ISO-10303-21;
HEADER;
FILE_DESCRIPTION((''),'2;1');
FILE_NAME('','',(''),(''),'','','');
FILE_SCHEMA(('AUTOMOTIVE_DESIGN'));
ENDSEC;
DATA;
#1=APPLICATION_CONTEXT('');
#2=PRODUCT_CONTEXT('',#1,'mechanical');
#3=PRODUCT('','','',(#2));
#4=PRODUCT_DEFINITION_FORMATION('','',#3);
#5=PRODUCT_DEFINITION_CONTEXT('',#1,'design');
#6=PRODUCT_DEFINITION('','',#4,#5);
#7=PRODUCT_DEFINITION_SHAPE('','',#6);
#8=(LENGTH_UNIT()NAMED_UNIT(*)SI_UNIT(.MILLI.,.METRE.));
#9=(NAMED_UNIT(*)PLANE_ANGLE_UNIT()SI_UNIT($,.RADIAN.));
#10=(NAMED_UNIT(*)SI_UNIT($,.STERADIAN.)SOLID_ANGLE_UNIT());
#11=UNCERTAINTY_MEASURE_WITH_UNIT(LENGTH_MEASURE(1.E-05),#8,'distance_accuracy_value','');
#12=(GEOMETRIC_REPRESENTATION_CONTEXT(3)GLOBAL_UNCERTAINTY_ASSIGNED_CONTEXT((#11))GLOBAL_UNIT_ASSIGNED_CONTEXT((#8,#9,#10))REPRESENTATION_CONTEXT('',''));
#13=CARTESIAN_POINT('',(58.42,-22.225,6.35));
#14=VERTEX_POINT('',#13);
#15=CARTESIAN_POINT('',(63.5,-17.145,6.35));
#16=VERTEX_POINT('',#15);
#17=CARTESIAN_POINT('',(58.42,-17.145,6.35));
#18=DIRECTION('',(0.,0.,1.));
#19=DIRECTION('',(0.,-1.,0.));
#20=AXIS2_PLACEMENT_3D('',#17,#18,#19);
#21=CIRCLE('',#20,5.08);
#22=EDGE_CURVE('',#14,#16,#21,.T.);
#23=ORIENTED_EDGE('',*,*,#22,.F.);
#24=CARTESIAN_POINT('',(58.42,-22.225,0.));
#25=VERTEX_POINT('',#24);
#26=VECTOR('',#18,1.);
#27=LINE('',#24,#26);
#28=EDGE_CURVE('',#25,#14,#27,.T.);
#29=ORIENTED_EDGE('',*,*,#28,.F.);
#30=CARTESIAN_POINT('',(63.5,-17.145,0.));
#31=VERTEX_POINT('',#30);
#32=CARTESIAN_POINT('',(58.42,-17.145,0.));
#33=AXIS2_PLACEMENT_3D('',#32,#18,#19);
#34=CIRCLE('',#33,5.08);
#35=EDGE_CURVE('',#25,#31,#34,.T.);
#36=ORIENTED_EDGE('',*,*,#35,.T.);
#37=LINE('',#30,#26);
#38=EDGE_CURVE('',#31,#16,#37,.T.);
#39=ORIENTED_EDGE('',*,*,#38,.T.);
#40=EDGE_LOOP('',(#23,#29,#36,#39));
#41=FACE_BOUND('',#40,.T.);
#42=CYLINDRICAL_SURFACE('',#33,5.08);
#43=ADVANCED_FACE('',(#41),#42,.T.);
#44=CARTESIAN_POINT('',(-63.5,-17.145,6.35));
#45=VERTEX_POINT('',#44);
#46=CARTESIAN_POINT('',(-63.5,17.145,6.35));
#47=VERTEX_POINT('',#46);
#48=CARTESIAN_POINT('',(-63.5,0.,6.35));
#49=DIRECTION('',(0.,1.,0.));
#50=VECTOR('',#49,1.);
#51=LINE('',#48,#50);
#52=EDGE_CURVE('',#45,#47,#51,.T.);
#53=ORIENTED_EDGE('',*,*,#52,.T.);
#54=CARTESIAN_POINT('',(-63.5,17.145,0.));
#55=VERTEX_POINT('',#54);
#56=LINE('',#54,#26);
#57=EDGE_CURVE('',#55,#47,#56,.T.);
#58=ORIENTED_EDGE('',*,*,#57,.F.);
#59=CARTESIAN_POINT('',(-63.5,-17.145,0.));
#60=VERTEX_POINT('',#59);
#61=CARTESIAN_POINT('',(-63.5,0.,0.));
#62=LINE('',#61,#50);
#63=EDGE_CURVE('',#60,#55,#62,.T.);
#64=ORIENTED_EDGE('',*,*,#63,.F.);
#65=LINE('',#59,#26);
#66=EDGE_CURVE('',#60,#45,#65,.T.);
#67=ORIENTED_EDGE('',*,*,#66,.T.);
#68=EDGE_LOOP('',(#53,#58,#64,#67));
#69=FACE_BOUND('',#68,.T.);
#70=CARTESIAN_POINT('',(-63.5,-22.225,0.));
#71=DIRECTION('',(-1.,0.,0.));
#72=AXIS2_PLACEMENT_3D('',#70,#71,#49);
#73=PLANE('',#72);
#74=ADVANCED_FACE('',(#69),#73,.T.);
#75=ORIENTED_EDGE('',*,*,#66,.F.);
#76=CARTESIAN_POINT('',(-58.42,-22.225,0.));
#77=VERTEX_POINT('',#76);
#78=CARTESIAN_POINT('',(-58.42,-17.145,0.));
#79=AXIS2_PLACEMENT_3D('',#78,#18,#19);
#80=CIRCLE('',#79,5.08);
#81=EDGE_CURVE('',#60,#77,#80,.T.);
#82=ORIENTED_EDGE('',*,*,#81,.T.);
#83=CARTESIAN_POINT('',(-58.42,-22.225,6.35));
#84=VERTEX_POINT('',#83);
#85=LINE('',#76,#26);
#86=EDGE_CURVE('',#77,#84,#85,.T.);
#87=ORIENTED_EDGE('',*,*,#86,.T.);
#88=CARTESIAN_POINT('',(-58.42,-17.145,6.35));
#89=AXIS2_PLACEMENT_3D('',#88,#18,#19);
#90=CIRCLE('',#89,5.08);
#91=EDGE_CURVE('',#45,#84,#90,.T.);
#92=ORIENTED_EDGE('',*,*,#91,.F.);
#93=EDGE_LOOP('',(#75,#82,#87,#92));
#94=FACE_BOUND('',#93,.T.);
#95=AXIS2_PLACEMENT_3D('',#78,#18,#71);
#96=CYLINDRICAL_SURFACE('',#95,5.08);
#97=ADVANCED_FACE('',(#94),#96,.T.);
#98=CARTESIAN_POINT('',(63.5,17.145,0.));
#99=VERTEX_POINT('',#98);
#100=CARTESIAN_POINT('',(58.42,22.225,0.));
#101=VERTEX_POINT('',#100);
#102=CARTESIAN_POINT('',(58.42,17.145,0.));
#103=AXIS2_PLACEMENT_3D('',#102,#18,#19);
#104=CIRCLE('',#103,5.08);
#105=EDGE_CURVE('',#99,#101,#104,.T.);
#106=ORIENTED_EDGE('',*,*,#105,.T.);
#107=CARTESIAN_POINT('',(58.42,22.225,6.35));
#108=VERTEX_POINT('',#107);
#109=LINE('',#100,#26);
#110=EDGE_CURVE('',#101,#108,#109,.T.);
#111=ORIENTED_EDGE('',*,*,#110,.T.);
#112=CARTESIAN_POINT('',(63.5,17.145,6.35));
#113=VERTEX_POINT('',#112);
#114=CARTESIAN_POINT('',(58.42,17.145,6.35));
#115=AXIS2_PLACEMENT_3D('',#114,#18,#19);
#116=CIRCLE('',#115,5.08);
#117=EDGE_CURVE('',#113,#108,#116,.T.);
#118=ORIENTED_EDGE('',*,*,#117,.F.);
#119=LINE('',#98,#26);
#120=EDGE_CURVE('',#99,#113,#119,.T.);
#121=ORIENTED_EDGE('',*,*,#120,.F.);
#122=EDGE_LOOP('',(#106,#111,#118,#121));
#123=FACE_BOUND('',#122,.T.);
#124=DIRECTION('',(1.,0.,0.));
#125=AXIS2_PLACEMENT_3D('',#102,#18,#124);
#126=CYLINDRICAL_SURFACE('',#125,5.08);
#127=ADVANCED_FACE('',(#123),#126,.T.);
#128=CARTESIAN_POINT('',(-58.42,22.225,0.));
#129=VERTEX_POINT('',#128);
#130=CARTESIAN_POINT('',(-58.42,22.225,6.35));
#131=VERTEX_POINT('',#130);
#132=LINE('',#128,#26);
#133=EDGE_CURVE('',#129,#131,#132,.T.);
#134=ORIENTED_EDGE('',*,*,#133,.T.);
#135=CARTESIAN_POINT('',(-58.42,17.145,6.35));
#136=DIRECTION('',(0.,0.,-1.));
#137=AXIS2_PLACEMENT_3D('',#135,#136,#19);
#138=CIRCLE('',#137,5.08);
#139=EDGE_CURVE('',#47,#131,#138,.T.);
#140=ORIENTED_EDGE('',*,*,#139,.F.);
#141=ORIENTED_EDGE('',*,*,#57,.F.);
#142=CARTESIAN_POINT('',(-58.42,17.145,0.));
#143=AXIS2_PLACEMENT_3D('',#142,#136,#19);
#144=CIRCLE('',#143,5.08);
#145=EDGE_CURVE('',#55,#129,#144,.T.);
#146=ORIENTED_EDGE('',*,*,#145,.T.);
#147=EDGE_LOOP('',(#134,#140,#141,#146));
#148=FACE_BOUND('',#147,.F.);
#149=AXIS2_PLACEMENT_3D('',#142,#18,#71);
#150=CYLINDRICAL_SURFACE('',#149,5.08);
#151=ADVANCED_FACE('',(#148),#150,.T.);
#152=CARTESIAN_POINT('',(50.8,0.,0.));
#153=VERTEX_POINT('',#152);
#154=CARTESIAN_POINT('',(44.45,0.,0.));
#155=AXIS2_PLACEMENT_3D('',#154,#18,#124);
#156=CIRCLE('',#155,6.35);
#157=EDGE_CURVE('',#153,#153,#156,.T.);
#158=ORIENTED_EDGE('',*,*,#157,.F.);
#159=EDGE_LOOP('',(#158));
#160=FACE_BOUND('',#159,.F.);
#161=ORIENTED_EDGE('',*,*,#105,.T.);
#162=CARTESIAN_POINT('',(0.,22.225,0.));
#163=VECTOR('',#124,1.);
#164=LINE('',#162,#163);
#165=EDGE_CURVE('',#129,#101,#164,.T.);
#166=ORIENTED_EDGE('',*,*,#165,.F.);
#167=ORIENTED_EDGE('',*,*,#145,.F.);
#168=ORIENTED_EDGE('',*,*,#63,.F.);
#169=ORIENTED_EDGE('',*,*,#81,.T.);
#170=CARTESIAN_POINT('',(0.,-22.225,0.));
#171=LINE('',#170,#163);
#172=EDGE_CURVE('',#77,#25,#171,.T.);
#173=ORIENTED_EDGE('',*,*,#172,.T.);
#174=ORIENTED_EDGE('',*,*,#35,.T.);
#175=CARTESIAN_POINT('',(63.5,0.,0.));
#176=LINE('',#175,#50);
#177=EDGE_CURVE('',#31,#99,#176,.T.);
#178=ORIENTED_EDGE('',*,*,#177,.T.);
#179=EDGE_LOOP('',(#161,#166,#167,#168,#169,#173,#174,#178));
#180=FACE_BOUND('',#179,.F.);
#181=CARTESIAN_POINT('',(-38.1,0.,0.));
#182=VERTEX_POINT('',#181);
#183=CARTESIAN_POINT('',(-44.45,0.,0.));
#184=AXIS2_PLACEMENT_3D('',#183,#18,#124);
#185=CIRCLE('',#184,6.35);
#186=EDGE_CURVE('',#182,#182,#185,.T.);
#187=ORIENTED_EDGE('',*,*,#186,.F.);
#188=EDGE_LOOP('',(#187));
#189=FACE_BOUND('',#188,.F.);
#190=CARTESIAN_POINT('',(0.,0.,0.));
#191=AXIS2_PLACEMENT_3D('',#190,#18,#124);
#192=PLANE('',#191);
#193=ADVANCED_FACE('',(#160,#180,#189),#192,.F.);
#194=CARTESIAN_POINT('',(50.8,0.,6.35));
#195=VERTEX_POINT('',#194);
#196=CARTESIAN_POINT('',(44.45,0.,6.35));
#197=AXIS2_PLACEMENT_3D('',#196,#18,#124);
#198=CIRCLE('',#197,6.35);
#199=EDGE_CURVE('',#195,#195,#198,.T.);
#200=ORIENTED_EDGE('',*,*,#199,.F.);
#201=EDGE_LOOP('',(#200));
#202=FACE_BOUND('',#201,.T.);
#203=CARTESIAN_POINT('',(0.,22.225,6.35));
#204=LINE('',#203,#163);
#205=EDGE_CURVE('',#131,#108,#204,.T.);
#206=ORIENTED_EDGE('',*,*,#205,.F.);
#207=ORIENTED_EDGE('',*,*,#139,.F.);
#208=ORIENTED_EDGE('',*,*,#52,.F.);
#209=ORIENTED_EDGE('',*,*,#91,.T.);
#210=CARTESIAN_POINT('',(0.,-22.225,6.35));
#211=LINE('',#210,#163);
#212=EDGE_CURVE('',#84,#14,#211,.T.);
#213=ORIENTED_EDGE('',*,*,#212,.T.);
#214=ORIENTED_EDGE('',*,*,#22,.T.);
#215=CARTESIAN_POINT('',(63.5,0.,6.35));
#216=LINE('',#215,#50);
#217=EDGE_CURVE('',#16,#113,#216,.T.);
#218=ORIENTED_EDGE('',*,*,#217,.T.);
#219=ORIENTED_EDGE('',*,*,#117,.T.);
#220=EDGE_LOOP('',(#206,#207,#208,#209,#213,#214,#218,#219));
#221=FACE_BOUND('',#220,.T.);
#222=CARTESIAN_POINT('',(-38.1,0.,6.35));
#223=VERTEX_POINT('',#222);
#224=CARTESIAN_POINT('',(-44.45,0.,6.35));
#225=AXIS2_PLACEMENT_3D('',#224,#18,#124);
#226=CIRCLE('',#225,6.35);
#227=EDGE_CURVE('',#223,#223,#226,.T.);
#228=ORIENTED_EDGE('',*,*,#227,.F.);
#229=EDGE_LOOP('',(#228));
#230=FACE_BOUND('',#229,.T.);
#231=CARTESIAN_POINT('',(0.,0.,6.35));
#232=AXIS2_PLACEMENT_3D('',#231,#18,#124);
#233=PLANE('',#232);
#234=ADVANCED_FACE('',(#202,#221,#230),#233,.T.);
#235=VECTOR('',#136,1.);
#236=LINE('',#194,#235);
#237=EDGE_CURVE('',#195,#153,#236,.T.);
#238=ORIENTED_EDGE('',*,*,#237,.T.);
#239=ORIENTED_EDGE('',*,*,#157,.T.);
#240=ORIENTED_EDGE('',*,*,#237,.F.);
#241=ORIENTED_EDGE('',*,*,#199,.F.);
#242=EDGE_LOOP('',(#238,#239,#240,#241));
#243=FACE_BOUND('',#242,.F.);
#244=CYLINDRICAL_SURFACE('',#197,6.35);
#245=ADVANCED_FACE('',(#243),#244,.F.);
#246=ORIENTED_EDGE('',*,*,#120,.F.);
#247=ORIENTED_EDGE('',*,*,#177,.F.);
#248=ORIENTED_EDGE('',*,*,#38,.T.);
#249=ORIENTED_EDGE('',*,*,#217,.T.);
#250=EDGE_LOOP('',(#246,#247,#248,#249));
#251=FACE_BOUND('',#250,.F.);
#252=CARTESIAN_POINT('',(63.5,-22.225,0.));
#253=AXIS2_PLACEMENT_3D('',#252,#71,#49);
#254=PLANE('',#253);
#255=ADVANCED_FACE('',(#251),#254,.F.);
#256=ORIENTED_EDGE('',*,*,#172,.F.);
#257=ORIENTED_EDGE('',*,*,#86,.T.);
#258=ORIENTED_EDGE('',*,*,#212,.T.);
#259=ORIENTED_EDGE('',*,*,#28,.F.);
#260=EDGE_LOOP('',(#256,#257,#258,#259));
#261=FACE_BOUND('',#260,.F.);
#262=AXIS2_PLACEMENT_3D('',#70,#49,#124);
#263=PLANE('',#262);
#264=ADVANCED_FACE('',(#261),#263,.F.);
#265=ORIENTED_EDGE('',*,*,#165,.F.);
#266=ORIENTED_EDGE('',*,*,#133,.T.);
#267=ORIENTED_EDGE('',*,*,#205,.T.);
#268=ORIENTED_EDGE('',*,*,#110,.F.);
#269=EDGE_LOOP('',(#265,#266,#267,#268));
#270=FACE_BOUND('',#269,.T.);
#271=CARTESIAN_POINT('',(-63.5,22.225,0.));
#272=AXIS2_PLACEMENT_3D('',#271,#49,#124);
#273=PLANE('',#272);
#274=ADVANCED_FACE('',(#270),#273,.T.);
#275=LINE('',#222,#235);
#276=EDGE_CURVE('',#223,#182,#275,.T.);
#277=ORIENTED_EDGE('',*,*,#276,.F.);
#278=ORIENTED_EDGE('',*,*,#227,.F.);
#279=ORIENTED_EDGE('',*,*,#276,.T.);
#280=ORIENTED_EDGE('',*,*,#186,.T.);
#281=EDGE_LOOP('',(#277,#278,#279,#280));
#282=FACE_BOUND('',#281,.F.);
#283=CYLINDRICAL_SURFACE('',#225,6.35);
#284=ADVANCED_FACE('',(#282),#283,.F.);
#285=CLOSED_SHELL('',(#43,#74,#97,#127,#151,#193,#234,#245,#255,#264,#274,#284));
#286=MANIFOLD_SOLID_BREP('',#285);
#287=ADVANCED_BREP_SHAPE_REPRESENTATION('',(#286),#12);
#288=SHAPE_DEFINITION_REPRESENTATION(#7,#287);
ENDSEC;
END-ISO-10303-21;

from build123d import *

# Parameters (mm, degrees)
F0_W     = 127
F0_H     = 44.45
F1_DEPTH = 6.35
F2_R     = 5.08
F3_R     = 6.35
F4_DEPTH = 6.35


with BuildPart() as f1:
    # F0 (on Top) → F1 (new body)
    with BuildSketch(Plane.XY):
        Rectangle(F0_W, F0_H)
    extrude(amount=F1_DEPTH)

    # F2
    f2_edges = [f1.edges().sort_by_distance(p)[0] for p in [
        (63.5, -22.225, 3.175),
        (63.5, 22.225, 3.175),
        (-63.5, -22.225, 3.175),
        (-63.5, 22.225, 3.175),
    ]]
    fillet(f2_edges, radius=F2_R)

    # F3 (on face) → F4 (cut, through all)
    with BuildSketch(Plane.XY.offset(6.35)):
        with Locations((-44.45, 0)):
            Circle(F3_R)
        with Locations((44.45, 0)):
            Circle(F3_R)
    extrude(amount=-F4_DEPTH, mode=Mode.SUBTRACT)


solid = f1.part
